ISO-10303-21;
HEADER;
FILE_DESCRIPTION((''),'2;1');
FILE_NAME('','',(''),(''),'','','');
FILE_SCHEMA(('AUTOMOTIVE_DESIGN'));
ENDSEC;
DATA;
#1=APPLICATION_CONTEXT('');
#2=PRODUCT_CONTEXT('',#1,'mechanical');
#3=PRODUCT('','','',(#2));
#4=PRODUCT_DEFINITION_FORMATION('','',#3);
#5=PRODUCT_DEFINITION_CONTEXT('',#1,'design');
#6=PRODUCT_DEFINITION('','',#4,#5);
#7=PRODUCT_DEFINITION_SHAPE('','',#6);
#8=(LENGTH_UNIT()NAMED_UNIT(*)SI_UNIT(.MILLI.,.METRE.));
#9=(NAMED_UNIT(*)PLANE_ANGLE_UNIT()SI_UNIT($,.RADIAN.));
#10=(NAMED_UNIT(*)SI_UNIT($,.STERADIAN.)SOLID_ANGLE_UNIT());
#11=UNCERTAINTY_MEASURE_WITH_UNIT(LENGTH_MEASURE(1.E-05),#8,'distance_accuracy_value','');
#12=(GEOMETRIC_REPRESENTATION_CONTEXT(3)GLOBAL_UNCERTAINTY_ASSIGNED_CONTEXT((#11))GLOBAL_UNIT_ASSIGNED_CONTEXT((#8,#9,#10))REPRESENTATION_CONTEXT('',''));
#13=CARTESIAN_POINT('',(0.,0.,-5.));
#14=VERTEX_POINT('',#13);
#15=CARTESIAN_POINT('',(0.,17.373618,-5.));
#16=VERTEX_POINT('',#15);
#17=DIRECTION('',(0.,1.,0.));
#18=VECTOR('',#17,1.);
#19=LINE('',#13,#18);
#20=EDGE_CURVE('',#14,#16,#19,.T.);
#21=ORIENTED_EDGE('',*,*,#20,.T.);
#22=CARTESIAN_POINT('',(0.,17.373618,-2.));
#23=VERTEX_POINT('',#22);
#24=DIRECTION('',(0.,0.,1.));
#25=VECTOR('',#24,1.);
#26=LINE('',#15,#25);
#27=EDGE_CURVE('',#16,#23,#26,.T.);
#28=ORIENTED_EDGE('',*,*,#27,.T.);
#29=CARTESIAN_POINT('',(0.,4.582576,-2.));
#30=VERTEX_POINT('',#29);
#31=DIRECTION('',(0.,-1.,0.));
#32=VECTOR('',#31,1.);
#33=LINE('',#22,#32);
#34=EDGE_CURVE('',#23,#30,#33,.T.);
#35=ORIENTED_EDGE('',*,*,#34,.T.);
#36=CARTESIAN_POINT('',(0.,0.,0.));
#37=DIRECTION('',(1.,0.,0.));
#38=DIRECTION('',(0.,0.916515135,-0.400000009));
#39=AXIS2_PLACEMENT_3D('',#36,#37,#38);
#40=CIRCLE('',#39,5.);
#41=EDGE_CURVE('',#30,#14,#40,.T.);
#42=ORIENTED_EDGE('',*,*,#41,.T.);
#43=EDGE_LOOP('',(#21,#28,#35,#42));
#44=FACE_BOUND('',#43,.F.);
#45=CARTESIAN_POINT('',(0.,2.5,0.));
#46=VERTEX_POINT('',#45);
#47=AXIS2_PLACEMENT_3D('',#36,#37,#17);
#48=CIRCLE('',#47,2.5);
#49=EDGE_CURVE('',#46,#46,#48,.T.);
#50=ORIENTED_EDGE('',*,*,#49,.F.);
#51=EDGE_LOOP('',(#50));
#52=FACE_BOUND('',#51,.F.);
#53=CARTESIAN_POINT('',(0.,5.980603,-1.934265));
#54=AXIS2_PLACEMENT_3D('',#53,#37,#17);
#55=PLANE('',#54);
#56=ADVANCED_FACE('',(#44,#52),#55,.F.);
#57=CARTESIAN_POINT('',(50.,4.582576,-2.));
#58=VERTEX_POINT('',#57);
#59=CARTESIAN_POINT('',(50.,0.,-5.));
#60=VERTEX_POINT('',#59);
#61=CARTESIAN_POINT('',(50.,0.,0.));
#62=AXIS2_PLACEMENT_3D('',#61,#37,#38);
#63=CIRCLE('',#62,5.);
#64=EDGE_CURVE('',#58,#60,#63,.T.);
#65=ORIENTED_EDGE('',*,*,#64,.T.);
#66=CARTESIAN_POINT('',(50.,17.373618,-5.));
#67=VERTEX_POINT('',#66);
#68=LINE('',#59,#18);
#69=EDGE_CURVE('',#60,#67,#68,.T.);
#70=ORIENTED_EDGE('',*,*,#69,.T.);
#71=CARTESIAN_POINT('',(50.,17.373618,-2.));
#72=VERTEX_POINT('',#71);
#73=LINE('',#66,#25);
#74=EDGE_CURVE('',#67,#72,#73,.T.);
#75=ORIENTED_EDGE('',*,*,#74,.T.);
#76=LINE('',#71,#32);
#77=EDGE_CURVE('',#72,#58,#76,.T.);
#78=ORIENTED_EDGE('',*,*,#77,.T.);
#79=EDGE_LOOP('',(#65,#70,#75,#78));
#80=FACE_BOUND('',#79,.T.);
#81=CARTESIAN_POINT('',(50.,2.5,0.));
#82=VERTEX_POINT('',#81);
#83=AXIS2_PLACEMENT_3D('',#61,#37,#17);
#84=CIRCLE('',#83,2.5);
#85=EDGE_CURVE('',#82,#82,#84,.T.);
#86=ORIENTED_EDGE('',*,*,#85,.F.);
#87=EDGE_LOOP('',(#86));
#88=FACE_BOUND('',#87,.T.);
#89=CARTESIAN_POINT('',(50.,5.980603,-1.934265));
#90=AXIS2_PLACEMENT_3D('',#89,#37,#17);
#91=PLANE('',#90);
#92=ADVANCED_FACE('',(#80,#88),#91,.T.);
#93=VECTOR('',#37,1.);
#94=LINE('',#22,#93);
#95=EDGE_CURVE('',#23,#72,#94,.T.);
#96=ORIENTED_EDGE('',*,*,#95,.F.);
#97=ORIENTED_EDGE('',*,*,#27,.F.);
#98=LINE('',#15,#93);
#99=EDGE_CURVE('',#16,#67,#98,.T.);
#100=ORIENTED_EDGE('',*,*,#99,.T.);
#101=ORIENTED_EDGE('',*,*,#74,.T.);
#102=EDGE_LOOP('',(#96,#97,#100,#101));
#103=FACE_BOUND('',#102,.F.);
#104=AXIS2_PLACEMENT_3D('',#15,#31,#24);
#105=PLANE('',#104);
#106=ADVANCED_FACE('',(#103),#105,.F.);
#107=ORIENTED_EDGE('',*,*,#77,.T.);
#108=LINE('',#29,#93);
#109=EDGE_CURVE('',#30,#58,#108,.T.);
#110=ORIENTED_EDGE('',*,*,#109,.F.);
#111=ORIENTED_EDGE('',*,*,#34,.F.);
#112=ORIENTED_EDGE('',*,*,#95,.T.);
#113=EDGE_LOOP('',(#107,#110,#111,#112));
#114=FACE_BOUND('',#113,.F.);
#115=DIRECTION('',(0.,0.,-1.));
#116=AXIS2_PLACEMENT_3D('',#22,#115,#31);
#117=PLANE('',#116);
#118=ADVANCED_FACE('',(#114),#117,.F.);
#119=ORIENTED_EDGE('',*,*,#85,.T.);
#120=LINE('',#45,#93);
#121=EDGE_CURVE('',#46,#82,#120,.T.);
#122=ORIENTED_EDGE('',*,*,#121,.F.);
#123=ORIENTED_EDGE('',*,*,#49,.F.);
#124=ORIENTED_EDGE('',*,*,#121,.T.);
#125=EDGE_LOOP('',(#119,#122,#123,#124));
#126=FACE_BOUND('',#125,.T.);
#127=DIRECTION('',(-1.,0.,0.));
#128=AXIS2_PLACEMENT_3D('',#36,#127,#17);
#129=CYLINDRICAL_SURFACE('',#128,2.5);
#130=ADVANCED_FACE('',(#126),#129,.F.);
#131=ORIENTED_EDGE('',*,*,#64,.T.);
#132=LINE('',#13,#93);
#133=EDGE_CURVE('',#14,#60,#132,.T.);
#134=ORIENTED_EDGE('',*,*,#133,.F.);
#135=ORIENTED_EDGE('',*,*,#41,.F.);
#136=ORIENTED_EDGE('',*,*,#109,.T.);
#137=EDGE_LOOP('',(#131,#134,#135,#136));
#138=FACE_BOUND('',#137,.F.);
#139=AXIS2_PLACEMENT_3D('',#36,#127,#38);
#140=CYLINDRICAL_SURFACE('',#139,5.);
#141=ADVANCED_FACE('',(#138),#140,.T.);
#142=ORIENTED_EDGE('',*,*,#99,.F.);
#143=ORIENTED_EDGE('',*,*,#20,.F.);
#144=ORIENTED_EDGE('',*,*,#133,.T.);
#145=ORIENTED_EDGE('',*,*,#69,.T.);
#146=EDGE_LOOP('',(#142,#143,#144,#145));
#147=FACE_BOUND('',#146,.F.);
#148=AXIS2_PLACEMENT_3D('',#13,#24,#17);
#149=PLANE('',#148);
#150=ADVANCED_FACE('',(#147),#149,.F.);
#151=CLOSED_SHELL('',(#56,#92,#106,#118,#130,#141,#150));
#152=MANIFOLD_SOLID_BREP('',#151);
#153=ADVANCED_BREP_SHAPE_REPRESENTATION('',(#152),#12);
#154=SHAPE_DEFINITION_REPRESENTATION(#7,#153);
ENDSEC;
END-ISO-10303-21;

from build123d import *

# Parameters (mm, degrees)
F0_R     = 2.5
F1_DEPTH = 50


with BuildPart() as f1:
    # F0 (on Right) → F1 (new body)
    with BuildSketch(Plane.YZ):
        with BuildLine():
            Line((17.373618, -2), (4.582576, -2))
            ThreePointArc((4.582576, -2), (-2.738613, 4.1833), (0, -5))
            Line((0, -5), (17.373618, -5))
            Line((17.373618, -5), (17.373618, -2))
        make_face()
        Circle(F0_R, mode=Mode.SUBTRACT)
    extrude(amount=F1_DEPTH)


solid = f1.part
